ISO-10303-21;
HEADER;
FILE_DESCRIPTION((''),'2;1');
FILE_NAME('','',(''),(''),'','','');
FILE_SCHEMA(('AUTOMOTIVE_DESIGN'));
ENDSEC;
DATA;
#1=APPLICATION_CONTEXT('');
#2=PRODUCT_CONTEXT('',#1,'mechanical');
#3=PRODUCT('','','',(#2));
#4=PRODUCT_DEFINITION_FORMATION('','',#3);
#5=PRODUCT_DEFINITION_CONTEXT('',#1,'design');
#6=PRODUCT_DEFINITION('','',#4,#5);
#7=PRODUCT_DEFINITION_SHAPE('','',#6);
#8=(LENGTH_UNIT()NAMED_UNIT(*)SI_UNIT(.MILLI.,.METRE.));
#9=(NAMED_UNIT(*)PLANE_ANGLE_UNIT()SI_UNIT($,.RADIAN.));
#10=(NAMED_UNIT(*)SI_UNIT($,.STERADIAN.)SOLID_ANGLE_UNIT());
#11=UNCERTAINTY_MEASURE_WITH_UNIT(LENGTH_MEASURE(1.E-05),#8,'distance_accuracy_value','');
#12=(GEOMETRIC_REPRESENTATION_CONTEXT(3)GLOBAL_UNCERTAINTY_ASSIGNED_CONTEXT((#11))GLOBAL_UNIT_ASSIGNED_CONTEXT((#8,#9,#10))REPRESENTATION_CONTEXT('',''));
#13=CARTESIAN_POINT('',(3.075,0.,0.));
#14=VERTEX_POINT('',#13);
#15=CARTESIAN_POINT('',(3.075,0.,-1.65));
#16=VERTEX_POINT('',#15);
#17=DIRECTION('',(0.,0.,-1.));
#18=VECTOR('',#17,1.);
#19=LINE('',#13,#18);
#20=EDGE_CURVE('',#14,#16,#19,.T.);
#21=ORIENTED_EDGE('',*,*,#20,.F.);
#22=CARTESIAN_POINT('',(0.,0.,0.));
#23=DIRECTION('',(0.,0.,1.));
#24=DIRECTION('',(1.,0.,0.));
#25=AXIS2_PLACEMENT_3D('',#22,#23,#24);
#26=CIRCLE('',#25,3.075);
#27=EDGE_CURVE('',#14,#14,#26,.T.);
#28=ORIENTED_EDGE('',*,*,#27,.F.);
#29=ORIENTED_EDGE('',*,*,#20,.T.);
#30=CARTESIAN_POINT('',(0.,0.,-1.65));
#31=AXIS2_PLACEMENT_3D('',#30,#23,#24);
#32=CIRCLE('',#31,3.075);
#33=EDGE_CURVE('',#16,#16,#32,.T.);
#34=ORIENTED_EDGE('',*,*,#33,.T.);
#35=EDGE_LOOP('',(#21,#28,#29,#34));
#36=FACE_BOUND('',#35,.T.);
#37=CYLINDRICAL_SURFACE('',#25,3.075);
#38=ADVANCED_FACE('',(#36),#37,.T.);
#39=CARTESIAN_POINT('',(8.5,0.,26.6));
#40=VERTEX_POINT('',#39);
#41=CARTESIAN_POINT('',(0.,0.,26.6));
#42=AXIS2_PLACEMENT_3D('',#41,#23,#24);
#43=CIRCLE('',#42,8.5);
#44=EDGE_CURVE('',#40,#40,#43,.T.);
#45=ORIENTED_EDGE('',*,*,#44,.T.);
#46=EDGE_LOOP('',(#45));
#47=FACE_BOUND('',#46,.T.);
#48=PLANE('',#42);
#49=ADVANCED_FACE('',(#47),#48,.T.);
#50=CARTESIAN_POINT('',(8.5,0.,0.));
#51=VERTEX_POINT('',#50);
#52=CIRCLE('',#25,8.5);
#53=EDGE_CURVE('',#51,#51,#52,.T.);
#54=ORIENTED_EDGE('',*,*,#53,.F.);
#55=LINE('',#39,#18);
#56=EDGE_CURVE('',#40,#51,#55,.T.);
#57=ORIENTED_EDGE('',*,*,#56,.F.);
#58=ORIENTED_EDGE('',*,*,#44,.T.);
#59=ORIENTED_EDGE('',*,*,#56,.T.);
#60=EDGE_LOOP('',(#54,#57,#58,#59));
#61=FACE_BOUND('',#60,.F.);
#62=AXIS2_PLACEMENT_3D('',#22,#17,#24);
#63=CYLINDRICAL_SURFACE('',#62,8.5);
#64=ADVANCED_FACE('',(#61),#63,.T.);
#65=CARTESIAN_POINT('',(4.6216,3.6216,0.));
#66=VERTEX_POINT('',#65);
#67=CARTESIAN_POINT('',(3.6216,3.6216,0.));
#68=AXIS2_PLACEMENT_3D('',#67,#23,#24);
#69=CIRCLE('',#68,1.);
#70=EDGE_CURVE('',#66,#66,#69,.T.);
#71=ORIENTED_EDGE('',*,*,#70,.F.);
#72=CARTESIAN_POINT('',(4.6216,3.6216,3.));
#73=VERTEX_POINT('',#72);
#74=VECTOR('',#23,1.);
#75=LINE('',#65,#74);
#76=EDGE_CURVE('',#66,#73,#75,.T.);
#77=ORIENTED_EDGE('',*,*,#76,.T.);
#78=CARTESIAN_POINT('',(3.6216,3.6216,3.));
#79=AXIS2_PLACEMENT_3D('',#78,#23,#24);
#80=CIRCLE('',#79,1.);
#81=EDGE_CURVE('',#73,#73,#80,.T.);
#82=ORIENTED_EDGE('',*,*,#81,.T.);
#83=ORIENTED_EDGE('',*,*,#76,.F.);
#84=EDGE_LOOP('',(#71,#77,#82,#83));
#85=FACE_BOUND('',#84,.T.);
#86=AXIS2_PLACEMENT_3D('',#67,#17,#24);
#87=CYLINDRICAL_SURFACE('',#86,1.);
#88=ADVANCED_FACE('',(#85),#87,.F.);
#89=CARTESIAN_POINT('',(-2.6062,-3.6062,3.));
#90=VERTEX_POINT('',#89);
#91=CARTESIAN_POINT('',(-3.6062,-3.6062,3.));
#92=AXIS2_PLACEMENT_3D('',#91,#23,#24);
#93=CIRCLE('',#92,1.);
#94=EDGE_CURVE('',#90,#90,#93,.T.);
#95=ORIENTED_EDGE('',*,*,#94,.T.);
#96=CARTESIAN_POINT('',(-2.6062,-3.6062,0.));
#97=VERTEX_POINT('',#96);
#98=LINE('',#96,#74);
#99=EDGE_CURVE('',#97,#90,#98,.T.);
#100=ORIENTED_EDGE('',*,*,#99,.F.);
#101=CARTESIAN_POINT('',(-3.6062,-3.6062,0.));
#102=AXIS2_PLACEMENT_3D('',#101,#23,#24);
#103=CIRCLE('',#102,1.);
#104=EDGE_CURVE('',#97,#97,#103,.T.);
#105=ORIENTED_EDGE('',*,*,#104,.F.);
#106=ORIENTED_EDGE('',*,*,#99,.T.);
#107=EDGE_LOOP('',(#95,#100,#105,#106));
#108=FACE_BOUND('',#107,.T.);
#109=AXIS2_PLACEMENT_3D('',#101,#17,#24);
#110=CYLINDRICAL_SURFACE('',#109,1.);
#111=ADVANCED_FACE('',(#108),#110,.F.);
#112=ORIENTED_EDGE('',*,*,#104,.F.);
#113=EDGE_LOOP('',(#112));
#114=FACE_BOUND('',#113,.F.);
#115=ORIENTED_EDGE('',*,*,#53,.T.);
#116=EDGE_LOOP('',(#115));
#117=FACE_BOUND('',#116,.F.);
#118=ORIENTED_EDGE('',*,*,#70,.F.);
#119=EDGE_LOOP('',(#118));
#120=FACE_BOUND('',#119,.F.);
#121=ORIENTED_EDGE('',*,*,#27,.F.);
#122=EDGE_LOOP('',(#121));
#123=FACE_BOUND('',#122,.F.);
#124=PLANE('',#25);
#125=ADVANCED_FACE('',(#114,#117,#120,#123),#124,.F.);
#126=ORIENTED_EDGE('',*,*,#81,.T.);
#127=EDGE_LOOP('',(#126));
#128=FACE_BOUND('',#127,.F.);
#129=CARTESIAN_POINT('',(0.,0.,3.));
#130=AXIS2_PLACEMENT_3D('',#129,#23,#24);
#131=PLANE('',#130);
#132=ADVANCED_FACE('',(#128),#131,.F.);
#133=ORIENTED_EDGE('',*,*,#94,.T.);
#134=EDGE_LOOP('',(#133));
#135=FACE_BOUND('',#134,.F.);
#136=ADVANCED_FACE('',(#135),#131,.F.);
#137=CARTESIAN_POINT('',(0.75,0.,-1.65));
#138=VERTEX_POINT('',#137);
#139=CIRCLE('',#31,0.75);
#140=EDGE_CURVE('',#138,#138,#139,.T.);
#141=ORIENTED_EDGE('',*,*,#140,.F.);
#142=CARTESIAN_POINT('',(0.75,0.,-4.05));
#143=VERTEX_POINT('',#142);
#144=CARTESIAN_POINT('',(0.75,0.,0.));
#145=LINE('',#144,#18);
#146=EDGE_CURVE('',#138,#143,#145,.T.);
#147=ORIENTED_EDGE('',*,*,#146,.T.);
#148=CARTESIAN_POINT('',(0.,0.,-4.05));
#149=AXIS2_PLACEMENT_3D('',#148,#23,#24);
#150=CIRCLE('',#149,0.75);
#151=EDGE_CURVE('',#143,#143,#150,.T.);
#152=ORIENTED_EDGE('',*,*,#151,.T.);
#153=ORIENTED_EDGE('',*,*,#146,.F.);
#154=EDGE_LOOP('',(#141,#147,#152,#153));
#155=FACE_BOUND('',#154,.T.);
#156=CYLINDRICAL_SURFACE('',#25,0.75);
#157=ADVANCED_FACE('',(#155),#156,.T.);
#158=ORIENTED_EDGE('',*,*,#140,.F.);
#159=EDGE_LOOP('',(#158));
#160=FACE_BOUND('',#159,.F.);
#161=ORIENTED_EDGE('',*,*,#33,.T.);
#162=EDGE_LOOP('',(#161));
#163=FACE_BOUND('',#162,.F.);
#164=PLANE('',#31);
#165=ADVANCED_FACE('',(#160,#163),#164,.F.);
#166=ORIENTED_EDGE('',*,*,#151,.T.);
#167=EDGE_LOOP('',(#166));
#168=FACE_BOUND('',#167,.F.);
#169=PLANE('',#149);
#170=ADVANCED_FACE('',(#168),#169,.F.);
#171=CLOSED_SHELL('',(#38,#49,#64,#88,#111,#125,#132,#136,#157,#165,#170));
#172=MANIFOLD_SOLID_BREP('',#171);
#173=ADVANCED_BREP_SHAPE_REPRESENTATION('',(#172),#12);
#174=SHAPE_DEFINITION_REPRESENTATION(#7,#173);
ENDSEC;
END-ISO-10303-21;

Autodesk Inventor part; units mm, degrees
ref_plane "YZ Plane" through (0, 0, 0) normal (1, 0, 0) x (0, 1, 0)
ref_plane "XZ Plane" through (0, 0, 0) normal (0, 1, 0) x (-1, 0, 0)
ref_plane "XY Plane" through (0, 0, 0) normal (0, 0, 1) x (1, 0, 0)
sketch "Sketch1" plane through (0, 0, 0) normal (0, 0, 1) x (1, 0, 0)
  circle A0 centre (0, 0) radius 8.5
  circle A1 centre (0, 0) radius 3.075
  circle A2 centre (0, 0) radius 0.75
  line L0 (0, 0) -> (-3.6062, -3.6062) construction
  line L1 (0, 0) -> (5.1, 0) construction
  line L2 (0, 0) -> (3.6062, 3.6062) construction
  line L3 (0, 0) -> (5.1, 0) construction
  circle A3 centre (-3.6062, -3.6062) radius 1
  circle A4 centre (3.6216, 3.6216) radius 1
  dimension "d0" = 17
  dimension "d1" = 6.15
  dimension "d2" = 1.5
  dimension "d3" = 5.1
  dimension "d4" = 135
  dimension "d5" = 5.1
  dimension "d6" = 45
  dimension "d7" = 2
  dimension "d8" = 2
extrude "Extrusion1" add sketch "Sketch1" along normal blind 3 contours A0 | A1 | A2
ref_plane "Work Plane1" through (-7.1967, -146.8933, 23.5) normal (1, 0, 0) x (0, 1, 0)
sketch "Sketch2" plane through (-7.1967, -146.8933, 23.5) normal (1, 0, 0) x (0, 1, 0)
  line L0 (146.8933, -23.5) -> (146.8933, 3.1)
  line L1 (146.8933, -23.5) -> (173.4933, -23.5) construction
  line L2 (146.8933, 3.1) -> (141.8933, 3.1)
  line L3 (146.8933, 3.1) -> (151.8933, 3.1) construction
  dimension "d11" = 26.6
  dimension "d12" = 90
  dimension "d13" = 5
  dimension "d14" = 180
ref_plane "Work Plane4" through (0, 0, 26.6) normal (0, 0, -1) x (-1, 0, 0)
extrude "Extrusion2" add sketch "Sketch1" along normal up to surface (23.6 mm away) from surface at 3 contours A0 | A1 | A2 | A3 | A4
extrude "Extrusion3" add sketch "Sketch1" against normal blind 1.65 contours A1 | A2
extrude "Extrusion4" add sketch "Sketch1" against normal blind 4.05 contours A2
equation "\"d5\" = d3"
equation "\"d8\" = d7"
properties part number "MOTOR"
